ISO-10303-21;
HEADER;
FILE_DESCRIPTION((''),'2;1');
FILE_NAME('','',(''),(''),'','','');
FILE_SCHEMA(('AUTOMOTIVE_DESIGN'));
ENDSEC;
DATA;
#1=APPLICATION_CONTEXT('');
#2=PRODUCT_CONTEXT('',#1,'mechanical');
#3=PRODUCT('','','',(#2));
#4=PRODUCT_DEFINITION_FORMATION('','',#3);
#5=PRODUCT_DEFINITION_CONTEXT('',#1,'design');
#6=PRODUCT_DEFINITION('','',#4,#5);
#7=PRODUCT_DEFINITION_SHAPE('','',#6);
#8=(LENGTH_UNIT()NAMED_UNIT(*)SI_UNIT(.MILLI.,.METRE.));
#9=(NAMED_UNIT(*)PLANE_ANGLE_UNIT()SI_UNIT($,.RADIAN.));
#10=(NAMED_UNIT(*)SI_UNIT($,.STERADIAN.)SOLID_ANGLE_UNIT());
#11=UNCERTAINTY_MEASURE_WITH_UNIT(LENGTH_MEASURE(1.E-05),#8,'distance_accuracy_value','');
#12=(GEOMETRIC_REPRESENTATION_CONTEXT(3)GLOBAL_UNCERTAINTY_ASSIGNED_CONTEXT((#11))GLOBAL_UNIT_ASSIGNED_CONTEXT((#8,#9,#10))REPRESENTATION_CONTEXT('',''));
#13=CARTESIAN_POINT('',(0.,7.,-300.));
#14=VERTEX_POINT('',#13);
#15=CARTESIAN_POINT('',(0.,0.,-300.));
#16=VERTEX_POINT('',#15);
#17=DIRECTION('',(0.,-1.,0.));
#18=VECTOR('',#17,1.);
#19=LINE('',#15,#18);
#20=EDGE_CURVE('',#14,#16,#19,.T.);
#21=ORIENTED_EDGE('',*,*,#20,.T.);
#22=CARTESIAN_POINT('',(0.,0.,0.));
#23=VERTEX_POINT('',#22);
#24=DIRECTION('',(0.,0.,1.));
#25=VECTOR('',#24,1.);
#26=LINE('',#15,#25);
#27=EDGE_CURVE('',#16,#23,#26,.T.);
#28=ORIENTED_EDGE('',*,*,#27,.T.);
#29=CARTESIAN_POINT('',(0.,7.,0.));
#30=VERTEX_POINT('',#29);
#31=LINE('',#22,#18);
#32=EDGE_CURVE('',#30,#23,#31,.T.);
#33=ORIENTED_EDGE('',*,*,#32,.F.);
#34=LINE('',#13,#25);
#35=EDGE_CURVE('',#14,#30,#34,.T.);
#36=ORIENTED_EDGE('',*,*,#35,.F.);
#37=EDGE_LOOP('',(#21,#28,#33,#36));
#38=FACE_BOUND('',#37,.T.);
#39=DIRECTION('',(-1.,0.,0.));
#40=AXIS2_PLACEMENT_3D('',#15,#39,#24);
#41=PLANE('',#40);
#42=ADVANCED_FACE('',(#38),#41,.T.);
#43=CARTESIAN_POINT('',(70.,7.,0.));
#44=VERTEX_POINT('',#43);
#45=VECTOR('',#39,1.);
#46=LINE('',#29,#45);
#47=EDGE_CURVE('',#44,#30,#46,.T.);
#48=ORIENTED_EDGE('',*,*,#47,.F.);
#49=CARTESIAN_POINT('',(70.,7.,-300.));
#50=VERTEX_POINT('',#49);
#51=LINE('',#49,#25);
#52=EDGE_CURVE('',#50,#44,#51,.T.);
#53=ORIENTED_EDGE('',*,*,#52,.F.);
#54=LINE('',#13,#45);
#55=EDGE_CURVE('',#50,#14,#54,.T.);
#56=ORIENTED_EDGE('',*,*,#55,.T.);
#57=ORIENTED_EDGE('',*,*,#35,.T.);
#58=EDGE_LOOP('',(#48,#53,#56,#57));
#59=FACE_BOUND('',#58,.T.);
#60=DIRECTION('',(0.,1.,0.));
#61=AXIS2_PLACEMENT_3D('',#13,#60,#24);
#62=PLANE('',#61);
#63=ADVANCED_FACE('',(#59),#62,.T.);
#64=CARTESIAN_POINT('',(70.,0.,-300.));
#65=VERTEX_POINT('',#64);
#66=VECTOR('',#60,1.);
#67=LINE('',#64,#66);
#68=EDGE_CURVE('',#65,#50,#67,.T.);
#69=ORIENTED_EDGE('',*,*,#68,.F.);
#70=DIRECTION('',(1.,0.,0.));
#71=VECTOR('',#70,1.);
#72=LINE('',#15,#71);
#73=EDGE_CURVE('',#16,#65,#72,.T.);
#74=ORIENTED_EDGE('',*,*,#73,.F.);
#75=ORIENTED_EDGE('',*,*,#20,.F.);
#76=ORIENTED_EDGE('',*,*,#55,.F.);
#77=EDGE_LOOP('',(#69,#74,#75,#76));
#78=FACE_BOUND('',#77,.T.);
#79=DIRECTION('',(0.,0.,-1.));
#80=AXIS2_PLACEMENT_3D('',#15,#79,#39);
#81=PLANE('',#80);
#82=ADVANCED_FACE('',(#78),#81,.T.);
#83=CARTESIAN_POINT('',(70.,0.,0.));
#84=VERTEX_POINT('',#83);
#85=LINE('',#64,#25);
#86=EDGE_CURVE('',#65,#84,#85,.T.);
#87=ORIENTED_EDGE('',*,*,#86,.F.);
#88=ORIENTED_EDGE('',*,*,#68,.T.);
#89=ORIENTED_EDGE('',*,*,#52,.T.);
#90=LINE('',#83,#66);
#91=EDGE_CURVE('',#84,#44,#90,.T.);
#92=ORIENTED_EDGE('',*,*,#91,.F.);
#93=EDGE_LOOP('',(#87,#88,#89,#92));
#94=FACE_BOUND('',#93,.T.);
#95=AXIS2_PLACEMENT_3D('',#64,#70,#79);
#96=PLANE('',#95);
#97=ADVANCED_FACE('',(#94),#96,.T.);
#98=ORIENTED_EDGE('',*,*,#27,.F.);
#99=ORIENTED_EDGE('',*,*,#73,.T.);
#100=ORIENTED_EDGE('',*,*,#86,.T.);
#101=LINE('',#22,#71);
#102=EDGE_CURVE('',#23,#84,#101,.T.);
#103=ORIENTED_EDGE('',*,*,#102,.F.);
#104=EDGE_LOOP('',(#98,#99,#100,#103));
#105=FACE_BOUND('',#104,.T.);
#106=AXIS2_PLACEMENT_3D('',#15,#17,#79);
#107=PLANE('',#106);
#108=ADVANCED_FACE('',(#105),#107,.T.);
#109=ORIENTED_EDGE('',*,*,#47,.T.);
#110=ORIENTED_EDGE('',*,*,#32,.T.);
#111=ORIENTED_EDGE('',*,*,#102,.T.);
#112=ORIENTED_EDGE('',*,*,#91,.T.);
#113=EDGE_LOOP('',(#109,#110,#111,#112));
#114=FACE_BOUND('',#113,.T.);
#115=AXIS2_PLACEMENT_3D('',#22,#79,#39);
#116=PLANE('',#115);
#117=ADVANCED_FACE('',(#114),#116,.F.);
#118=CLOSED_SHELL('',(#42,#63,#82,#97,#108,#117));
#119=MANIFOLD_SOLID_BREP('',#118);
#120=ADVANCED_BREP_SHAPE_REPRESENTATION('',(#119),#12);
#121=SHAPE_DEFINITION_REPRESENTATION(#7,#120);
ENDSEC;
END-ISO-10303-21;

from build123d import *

# Parameters (mm, degrees)
SKETCH2_W           = 70
SKETCH2_H           = 7
BOSS_EXTRUDE1_DEPTH = 300


with BuildPart() as part:
    # Sketch2 → Boss-Extrude1 (new body)
    with BuildSketch(Plane.XY):
        with Locations((35, 3.5)):
            Rectangle(SKETCH2_W, SKETCH2_H)
    extrude(amount=-BOSS_EXTRUDE1_DEPTH)


solid = part.part
